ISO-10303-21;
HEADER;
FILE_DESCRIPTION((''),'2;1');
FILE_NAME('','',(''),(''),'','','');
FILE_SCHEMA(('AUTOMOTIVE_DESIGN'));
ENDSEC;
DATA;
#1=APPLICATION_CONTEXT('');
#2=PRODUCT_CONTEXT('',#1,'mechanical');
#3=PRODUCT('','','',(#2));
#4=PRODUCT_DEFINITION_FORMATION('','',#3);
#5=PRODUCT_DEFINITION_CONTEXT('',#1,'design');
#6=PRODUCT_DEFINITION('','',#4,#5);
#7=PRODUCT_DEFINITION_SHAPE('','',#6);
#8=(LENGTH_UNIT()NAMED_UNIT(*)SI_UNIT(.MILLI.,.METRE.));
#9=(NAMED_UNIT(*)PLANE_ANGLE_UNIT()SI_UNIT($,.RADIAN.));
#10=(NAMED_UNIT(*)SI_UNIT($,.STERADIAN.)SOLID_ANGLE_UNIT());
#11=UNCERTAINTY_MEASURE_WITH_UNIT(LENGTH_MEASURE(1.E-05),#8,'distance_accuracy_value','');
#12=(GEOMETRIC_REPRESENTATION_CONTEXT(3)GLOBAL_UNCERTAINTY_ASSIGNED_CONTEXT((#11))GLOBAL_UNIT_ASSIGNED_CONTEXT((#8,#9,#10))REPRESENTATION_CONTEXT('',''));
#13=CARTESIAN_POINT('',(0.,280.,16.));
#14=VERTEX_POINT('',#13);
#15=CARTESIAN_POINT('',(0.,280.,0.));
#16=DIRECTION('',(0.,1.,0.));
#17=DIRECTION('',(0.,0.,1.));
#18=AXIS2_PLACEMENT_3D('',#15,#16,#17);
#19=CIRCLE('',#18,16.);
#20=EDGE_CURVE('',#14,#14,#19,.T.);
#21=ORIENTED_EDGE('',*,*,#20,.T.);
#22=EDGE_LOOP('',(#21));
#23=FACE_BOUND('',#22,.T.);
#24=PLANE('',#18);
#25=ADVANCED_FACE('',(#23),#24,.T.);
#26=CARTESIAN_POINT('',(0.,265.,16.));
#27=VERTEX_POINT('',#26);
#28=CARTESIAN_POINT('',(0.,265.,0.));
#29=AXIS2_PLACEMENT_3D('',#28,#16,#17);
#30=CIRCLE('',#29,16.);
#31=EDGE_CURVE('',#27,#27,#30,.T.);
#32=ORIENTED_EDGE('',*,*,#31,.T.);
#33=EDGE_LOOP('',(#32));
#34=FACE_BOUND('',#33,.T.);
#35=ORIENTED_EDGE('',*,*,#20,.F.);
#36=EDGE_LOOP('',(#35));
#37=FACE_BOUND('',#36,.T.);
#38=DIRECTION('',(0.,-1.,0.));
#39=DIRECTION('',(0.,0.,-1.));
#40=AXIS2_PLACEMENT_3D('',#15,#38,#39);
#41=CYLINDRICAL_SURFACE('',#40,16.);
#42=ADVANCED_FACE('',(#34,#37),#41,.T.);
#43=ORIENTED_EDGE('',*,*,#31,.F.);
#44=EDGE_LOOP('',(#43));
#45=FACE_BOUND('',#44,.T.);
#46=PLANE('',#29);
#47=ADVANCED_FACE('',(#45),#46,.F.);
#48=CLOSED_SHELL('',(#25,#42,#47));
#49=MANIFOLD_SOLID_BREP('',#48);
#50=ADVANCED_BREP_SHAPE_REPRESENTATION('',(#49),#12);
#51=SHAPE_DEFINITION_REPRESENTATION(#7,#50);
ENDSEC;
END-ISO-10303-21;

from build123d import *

# Parameters (mm, degrees)
KOLA1L_KAPAK_D32_START = 265
SKETCH1_R              = 16
KOLA1L_KAPAK_D32_DEPTH = 15


with BuildPart() as part:
    # Sketch1 → KOLA1L_kapak_D32 (new body)
    with BuildSketch(Plane(origin=(0, 0, 0), x_dir=(1, 0, 0), z_dir=(0, 1, 0)).offset(KOLA1L_KAPAK_D32_START)):
        with Locations(Location((0, 0, 0), (0, 0, 270))):
            Circle(SKETCH1_R)
    extrude(amount=KOLA1L_KAPAK_D32_DEPTH)


solid = part.part
